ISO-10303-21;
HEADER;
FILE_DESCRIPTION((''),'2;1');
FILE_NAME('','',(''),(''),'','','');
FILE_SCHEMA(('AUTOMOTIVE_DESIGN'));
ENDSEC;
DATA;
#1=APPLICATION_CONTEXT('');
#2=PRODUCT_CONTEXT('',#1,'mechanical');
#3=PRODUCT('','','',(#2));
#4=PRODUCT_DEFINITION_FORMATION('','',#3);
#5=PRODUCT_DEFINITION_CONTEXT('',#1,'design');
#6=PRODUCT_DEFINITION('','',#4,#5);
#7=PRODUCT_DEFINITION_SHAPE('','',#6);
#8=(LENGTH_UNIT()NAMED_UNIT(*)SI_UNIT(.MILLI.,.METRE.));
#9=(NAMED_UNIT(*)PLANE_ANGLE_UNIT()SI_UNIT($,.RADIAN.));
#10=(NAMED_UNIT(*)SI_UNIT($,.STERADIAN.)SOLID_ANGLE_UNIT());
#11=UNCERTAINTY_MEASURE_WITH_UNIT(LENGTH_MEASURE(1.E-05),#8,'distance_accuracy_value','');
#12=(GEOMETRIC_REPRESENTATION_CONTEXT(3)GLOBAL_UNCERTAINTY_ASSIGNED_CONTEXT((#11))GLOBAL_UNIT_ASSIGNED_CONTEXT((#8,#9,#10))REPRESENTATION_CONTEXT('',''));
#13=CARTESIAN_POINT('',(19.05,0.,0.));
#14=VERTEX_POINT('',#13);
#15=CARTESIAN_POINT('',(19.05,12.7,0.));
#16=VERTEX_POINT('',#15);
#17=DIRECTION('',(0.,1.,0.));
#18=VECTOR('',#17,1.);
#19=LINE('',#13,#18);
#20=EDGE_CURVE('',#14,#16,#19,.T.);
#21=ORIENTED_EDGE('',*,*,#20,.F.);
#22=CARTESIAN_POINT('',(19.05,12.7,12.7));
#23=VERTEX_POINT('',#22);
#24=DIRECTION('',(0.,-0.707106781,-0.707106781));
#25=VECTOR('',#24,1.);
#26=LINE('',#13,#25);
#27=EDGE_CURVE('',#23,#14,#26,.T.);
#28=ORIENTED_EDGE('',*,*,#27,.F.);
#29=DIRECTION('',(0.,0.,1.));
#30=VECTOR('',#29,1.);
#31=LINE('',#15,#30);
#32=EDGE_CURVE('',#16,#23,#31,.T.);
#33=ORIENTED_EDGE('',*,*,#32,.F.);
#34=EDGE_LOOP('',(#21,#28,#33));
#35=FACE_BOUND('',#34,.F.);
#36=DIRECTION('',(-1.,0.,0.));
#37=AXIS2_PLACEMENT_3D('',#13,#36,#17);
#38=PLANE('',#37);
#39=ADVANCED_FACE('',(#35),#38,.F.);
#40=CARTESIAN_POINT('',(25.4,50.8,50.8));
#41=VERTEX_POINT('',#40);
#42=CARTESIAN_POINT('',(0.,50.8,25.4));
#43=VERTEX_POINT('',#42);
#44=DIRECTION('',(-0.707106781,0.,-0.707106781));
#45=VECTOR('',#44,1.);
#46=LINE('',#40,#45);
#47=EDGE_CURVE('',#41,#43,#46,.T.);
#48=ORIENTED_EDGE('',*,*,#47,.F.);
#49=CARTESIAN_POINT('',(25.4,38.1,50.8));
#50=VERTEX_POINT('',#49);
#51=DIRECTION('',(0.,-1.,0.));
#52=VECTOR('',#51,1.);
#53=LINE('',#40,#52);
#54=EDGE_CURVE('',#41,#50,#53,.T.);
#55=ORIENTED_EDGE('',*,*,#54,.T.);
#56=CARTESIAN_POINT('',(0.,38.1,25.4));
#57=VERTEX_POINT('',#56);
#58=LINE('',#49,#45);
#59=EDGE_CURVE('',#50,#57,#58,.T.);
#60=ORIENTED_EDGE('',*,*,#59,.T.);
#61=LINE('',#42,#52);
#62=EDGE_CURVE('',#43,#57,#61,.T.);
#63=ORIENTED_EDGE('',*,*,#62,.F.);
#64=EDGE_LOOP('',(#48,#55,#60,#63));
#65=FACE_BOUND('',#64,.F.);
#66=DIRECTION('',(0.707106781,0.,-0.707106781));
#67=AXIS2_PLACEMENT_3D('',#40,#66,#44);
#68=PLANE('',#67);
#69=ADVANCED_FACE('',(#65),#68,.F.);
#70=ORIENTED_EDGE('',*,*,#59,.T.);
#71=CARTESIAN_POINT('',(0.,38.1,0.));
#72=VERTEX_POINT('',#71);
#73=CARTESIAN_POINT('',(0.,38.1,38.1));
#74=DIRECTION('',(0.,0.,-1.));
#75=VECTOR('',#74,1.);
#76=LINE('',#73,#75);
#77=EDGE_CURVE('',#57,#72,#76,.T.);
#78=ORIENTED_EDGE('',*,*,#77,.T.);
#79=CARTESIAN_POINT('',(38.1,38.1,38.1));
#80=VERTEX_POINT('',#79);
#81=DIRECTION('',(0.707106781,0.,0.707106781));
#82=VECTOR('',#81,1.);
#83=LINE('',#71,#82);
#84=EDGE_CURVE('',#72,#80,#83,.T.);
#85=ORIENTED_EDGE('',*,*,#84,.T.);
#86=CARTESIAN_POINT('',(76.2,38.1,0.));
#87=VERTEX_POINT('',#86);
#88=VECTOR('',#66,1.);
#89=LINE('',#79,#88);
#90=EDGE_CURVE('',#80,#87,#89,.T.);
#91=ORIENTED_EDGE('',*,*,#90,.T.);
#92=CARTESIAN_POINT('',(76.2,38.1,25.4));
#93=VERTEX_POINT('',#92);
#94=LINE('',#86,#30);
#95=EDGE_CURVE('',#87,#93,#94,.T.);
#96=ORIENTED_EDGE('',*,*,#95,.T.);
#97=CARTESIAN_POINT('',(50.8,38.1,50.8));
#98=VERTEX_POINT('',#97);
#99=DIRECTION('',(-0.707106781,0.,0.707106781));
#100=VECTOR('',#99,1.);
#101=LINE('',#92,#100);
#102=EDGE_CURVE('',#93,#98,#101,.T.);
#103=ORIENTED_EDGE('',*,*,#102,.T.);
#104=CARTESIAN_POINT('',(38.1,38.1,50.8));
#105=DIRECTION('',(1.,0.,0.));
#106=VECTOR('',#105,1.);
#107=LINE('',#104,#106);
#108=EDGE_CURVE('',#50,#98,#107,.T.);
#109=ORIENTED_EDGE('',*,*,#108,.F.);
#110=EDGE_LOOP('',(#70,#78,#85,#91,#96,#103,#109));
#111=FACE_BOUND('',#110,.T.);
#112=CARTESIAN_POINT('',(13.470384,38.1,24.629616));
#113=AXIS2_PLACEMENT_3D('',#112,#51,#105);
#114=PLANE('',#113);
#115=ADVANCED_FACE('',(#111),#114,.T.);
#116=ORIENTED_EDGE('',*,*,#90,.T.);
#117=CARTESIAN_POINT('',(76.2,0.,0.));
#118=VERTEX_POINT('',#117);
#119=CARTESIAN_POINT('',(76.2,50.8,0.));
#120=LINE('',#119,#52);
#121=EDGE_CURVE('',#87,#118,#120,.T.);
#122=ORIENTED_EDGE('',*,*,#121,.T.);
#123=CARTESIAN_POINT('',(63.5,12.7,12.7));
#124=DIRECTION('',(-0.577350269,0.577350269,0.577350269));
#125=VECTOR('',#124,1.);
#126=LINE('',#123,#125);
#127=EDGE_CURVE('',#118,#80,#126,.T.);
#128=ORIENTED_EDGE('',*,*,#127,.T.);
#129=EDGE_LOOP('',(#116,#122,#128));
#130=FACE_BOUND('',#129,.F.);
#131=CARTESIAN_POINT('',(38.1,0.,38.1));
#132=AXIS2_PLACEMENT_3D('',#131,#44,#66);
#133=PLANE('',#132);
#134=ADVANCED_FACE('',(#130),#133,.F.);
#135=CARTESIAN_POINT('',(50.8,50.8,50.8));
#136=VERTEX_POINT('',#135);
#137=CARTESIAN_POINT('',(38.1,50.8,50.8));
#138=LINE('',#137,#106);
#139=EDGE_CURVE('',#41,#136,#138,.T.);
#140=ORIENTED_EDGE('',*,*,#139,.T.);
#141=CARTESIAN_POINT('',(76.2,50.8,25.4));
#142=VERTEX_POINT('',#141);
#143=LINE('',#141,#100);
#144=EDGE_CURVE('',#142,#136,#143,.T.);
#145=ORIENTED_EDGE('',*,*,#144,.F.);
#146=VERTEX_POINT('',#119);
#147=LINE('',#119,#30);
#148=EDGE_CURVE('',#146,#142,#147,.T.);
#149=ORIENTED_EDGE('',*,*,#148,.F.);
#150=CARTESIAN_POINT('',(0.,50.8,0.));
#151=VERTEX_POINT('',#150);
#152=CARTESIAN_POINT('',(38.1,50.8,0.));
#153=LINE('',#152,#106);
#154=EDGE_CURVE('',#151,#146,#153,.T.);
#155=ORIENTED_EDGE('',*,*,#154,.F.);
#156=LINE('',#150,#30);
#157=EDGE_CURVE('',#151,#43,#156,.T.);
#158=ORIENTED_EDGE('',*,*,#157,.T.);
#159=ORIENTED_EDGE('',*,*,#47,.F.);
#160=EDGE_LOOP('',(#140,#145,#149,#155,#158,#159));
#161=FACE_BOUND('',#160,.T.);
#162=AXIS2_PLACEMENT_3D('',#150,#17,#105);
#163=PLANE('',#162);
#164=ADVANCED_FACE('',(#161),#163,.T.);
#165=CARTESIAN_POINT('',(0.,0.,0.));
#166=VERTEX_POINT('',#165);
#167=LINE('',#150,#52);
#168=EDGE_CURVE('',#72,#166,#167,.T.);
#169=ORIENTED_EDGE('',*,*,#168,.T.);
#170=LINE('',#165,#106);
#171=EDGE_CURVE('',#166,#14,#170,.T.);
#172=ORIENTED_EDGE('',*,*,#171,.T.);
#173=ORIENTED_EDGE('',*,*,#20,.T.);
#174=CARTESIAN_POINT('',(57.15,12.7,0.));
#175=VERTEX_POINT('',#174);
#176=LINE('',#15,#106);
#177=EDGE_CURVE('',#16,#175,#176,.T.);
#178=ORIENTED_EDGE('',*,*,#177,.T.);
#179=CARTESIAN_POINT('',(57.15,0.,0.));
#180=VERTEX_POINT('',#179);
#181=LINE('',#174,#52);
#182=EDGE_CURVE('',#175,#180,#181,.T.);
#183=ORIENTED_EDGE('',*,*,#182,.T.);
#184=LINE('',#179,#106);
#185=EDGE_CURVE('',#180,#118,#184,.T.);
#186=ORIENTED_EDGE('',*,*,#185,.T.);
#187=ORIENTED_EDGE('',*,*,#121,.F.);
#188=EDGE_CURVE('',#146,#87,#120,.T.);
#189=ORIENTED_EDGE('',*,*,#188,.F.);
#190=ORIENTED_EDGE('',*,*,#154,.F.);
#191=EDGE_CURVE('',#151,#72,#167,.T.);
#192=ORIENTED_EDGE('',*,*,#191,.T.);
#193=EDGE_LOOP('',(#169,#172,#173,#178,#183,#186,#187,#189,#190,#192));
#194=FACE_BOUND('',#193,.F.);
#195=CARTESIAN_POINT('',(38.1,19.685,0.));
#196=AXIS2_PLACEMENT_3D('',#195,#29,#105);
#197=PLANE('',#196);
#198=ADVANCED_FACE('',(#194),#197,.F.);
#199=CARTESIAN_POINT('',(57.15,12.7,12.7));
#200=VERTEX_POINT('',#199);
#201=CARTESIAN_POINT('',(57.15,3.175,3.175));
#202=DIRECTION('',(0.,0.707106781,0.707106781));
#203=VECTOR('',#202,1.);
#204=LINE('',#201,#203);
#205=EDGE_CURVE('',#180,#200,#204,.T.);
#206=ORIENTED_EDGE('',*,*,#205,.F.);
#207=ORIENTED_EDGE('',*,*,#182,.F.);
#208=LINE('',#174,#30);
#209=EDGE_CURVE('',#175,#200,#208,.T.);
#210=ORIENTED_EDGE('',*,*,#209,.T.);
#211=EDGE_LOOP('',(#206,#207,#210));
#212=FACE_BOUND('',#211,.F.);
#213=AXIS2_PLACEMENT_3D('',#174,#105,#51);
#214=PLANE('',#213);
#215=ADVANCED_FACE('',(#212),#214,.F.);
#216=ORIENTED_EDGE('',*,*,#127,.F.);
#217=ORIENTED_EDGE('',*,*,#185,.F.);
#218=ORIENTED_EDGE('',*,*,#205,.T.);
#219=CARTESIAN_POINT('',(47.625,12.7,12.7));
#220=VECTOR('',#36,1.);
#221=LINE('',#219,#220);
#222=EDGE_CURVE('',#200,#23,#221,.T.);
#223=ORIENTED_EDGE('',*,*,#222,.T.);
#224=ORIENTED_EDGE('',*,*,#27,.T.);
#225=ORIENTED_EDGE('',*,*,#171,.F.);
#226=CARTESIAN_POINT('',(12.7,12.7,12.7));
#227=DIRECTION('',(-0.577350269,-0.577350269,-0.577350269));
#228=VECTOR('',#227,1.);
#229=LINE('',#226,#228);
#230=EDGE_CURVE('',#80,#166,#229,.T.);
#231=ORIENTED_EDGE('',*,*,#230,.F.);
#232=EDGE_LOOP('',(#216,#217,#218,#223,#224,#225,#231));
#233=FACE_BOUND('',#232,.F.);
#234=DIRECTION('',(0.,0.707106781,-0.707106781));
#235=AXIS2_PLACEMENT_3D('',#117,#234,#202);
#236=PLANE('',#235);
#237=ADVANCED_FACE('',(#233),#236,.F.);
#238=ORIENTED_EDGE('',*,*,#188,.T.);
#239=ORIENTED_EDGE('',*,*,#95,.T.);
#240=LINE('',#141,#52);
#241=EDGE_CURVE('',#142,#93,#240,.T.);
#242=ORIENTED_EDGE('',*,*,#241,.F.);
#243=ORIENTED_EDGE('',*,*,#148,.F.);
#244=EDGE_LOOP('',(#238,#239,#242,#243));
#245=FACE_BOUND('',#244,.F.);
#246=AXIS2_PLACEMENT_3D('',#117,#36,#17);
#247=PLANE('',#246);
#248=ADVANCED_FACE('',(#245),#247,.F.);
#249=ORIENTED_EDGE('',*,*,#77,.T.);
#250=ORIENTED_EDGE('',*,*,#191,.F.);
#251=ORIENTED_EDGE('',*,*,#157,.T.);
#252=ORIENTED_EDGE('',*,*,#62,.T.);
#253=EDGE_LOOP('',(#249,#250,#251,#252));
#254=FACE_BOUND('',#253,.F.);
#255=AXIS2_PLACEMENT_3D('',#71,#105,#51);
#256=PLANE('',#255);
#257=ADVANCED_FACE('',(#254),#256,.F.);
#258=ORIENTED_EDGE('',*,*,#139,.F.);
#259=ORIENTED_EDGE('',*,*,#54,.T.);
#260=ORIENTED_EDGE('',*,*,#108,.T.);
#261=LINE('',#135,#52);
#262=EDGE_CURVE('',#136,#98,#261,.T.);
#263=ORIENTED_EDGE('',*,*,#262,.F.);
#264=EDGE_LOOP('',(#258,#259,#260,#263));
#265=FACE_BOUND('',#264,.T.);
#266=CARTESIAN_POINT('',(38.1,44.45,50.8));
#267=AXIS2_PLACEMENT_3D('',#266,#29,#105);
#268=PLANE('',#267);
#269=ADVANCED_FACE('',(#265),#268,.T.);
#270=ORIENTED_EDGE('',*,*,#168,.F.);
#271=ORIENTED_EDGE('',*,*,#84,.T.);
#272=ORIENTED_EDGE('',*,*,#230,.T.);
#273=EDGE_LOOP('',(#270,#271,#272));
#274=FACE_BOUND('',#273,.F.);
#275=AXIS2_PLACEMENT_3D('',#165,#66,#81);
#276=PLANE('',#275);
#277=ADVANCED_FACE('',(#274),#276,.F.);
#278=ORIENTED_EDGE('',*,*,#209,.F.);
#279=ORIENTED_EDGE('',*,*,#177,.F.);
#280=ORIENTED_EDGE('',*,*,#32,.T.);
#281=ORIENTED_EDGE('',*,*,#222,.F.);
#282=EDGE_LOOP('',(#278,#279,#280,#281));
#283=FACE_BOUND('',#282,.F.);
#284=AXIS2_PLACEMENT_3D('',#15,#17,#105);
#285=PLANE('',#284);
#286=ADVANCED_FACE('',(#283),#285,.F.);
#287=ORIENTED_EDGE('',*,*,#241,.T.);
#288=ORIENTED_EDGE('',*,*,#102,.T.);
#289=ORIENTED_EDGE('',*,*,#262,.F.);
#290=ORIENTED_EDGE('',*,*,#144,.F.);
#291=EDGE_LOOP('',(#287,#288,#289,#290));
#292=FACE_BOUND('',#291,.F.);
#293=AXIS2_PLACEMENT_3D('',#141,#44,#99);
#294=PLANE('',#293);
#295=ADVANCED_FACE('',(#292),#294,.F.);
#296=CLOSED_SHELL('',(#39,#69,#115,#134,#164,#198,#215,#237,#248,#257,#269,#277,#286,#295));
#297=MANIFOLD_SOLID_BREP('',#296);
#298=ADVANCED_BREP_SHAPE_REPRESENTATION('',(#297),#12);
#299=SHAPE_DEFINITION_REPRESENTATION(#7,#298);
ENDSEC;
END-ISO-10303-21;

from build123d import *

# Parameters (mm, degrees)
F0_W      = 76.2
F0_H      = 12.7
F1_DEPTH  = 50.8
F3_DEPTH  = 25.4
F4_DEPTH  = 25.4
F5_DEPTH  = 38.1
F7_DEPTH  = 76.201
F9_DEPTH  = 38.1
F10_DEPTH = 38.1


with BuildPart() as f1:
    # F0 (on Top) → F1 (new body)
    with BuildSketch(Plane.XY):
        with Locations((38.1, 44.45)):
            Rectangle(F0_W, F0_H)
    extrude(amount=F1_DEPTH)

    # F2 (on face) → F3 (cut)
    with BuildSketch(Plane(origin=(0, 50.8, 0), x_dir=(-1, 0, 0), z_dir=(0, 1, 0))):
        Polygon((0, 50.8), (-25.4, 50.8), (0, 25.4), align=None)
    extrude(amount=-F3_DEPTH, mode=Mode.SUBTRACT)

    # F2 (on face) → F4 (cut)
    with BuildSketch(Plane(origin=(0, 50.8, 0), x_dir=(-1, 0, 0), z_dir=(0, 1, 0))):
        Polygon((-50.8, 50.8), (-76.2, 50.8), (-76.2, 25.4), align=None)
    extrude(amount=-F4_DEPTH, mode=Mode.SUBTRACT)

    # F0 (on Top) → F5 (join)
    with BuildSketch(Plane.XY):
        Polygon((0, 38.1), (0, 0), (19.05, 0), (19.05, 12.7), (57.15, 12.7), (57.15, 0), (76.2, 0), (76.2, 38.1), align=None)
    extrude(amount=F5_DEPTH)

    # F6 (on face) → F7 (cut, through all)
    with BuildSketch(Plane.YZ.offset(76.2)):
        Polygon((0, 0), (38.1, 38.1), (0, 38.1), align=None)
    extrude(amount=-F7_DEPTH, mode=Mode.SUBTRACT)

    # F8 (on Front) → F9 (cut)
    with BuildSketch(Plane.XZ):
        Polygon((38.1, 38.1), (76.2, 0), (76.2, 38.1), align=None)
    extrude(amount=-F9_DEPTH, mode=Mode.SUBTRACT)

    # F8 (on Front) → F10 (cut)
    with BuildSketch(Plane.XZ):
        Polygon((0, 38.1), (0, 0), (38.1, 38.1), align=None)
    extrude(amount=-F10_DEPTH, mode=Mode.SUBTRACT)


solid = f1.part
